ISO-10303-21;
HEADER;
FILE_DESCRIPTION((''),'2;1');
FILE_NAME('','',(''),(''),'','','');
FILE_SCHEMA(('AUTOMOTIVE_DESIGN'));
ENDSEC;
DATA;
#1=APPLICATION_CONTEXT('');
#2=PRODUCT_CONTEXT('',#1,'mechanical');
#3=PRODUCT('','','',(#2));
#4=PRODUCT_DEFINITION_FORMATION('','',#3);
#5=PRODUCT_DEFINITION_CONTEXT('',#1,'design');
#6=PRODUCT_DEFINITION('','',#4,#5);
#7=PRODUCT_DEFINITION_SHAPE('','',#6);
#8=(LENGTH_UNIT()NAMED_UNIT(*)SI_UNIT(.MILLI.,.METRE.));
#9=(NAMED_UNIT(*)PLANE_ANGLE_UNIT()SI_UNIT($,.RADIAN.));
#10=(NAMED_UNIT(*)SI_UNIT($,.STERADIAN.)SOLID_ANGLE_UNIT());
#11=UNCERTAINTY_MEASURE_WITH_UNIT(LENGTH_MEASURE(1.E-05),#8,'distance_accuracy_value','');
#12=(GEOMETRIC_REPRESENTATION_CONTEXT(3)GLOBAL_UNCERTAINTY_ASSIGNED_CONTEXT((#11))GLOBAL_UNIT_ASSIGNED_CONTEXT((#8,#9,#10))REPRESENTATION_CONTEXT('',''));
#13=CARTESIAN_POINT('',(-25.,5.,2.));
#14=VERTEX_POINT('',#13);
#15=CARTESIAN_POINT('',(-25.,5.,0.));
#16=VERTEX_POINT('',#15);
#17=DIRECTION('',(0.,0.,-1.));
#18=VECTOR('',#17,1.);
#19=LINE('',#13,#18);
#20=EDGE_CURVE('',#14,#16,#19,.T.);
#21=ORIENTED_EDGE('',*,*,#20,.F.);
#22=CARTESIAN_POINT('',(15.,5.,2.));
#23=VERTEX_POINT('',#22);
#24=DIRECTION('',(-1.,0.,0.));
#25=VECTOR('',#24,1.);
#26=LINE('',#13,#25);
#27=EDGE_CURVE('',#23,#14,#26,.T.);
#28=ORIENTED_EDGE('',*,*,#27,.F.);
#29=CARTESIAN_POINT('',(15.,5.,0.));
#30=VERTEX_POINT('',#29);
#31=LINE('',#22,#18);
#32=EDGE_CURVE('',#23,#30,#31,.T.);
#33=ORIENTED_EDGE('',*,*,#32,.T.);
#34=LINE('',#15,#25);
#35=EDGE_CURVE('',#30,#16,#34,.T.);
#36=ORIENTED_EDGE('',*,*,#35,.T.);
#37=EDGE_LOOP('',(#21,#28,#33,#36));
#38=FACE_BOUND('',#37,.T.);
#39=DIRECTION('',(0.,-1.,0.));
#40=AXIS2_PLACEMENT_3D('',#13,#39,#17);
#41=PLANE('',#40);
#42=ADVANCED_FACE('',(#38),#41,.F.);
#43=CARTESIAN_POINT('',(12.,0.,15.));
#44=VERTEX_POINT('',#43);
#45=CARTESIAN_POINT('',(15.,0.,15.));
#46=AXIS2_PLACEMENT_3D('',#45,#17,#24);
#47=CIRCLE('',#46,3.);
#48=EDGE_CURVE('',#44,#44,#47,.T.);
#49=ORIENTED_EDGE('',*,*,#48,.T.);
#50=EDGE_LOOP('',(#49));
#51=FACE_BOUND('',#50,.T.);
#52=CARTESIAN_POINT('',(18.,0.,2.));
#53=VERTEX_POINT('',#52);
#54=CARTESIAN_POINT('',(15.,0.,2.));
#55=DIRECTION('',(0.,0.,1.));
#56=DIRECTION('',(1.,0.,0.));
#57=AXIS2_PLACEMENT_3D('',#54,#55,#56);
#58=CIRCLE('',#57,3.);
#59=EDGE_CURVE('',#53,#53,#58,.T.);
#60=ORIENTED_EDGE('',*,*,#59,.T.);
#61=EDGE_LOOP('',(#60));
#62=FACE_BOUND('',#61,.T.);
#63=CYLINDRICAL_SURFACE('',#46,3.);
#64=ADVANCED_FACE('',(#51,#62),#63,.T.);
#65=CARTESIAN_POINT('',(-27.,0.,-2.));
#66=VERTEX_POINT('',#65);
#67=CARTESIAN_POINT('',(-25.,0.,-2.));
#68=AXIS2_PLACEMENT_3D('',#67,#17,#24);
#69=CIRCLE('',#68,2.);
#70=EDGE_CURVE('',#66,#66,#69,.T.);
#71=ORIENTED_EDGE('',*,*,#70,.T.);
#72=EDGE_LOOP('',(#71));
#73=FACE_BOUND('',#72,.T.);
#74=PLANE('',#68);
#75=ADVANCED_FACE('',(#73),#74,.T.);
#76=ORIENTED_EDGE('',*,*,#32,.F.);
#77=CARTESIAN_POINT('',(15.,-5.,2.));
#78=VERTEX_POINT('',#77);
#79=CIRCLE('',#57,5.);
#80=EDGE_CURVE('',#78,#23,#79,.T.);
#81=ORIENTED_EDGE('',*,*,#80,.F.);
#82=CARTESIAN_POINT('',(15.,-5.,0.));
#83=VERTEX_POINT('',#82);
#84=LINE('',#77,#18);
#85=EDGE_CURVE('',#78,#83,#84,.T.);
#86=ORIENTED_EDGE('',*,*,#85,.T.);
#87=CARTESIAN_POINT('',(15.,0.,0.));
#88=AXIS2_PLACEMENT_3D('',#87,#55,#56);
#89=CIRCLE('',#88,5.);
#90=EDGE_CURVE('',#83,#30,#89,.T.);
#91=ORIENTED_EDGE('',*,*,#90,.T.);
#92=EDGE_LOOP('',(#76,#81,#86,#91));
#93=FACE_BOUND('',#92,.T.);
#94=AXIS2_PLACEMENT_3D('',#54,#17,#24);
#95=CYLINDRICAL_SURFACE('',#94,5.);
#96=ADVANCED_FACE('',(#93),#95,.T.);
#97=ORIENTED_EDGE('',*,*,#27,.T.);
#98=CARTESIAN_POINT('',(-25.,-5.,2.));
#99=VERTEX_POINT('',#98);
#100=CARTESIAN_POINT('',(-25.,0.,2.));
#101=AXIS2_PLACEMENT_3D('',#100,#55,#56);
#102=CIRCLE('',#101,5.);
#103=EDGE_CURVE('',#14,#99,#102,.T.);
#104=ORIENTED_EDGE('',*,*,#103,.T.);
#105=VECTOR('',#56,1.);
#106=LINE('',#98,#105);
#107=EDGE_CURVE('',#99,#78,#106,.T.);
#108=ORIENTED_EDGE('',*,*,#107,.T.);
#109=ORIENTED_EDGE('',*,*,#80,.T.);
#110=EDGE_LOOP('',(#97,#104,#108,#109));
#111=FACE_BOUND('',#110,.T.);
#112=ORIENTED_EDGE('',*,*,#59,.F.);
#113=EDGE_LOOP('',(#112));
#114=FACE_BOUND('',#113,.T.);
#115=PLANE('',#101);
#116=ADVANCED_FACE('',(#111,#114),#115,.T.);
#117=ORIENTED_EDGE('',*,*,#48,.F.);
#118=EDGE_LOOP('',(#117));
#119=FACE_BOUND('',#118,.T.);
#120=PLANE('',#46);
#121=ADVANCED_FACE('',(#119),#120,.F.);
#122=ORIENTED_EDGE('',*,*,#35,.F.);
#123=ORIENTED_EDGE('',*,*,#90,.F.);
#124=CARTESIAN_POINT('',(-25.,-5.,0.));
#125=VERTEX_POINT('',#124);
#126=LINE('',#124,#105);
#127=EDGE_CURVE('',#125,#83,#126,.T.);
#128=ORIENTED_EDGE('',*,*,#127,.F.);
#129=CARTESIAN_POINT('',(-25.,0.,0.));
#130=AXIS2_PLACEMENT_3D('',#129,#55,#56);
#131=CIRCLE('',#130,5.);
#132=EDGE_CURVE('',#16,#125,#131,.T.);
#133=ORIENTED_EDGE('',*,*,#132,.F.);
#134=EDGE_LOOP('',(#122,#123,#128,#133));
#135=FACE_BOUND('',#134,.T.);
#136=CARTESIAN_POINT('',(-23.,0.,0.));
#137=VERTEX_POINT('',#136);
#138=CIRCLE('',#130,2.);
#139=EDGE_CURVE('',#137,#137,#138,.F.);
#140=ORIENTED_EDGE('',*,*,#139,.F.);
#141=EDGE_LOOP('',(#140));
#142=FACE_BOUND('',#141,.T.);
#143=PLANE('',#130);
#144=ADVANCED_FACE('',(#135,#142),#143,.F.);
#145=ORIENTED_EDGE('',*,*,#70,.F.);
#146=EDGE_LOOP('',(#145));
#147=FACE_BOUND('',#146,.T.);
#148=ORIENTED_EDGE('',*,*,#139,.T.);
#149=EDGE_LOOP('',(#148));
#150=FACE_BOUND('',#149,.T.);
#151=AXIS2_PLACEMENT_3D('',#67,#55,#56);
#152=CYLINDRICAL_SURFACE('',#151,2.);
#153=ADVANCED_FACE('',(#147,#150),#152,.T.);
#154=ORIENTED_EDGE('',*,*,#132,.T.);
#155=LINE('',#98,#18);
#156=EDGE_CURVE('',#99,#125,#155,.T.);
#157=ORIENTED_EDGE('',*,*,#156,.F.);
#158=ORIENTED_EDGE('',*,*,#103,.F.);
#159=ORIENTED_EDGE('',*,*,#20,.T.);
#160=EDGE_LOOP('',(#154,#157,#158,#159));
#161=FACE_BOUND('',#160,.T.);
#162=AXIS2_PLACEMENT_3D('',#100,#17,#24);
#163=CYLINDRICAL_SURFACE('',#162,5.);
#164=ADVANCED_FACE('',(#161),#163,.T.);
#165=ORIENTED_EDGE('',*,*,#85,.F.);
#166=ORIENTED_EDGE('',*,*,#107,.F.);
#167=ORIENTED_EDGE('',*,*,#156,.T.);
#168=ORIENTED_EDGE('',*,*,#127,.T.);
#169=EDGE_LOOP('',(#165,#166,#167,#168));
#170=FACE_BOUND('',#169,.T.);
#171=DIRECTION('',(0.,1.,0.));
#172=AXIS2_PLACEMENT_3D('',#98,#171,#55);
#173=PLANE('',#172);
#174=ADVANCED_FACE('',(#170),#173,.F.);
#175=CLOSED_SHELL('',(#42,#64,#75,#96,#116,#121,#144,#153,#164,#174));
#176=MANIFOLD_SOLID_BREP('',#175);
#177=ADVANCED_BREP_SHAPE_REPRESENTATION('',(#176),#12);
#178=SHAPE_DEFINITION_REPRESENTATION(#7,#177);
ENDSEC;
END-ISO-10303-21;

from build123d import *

# Parameters (mm, degrees)
EXTRUDE_1_DEPTH = 2
SKETCH_2_R      = 2
EXTRUDE_2_DEPTH = 2
SKETCH_3_R      = 3
EXTRUDE_4_DEPTH = 15


with BuildPart() as part:
    # 草图1 → 凸台-拉伸1 (new body)
    with BuildSketch(Plane.XY):
        with BuildLine():
            Line((-25, 5), (15, 5))
            ThreePointArc((15, 5), (20, 0), (15, -5))
            Line((15, -5), (-25, -5))
            ThreePointArc((-25, -5), (-30, 0), (-25, 5))
        make_face()
    extrude(amount=EXTRUDE_1_DEPTH)

    # 草图2 → 凸台-拉伸2 (add)
    with BuildSketch(Plane(origin=(0, 0, 0), x_dir=(-1, 0, 0), z_dir=(0, 0, -1))):
        with Locations((25, 0)):
            Circle(SKETCH_2_R)
    extrude(amount=EXTRUDE_2_DEPTH)

    # 草图3 → 凸台-拉伸4 (add)
    with BuildSketch(Plane(origin=(0, 0, 0), x_dir=(-1, 0, 0), z_dir=(0, 0, -1))):
        with Locations((-15, 0)):
            Circle(SKETCH_3_R)
    extrude(amount=-EXTRUDE_4_DEPTH)


solid = part.part
